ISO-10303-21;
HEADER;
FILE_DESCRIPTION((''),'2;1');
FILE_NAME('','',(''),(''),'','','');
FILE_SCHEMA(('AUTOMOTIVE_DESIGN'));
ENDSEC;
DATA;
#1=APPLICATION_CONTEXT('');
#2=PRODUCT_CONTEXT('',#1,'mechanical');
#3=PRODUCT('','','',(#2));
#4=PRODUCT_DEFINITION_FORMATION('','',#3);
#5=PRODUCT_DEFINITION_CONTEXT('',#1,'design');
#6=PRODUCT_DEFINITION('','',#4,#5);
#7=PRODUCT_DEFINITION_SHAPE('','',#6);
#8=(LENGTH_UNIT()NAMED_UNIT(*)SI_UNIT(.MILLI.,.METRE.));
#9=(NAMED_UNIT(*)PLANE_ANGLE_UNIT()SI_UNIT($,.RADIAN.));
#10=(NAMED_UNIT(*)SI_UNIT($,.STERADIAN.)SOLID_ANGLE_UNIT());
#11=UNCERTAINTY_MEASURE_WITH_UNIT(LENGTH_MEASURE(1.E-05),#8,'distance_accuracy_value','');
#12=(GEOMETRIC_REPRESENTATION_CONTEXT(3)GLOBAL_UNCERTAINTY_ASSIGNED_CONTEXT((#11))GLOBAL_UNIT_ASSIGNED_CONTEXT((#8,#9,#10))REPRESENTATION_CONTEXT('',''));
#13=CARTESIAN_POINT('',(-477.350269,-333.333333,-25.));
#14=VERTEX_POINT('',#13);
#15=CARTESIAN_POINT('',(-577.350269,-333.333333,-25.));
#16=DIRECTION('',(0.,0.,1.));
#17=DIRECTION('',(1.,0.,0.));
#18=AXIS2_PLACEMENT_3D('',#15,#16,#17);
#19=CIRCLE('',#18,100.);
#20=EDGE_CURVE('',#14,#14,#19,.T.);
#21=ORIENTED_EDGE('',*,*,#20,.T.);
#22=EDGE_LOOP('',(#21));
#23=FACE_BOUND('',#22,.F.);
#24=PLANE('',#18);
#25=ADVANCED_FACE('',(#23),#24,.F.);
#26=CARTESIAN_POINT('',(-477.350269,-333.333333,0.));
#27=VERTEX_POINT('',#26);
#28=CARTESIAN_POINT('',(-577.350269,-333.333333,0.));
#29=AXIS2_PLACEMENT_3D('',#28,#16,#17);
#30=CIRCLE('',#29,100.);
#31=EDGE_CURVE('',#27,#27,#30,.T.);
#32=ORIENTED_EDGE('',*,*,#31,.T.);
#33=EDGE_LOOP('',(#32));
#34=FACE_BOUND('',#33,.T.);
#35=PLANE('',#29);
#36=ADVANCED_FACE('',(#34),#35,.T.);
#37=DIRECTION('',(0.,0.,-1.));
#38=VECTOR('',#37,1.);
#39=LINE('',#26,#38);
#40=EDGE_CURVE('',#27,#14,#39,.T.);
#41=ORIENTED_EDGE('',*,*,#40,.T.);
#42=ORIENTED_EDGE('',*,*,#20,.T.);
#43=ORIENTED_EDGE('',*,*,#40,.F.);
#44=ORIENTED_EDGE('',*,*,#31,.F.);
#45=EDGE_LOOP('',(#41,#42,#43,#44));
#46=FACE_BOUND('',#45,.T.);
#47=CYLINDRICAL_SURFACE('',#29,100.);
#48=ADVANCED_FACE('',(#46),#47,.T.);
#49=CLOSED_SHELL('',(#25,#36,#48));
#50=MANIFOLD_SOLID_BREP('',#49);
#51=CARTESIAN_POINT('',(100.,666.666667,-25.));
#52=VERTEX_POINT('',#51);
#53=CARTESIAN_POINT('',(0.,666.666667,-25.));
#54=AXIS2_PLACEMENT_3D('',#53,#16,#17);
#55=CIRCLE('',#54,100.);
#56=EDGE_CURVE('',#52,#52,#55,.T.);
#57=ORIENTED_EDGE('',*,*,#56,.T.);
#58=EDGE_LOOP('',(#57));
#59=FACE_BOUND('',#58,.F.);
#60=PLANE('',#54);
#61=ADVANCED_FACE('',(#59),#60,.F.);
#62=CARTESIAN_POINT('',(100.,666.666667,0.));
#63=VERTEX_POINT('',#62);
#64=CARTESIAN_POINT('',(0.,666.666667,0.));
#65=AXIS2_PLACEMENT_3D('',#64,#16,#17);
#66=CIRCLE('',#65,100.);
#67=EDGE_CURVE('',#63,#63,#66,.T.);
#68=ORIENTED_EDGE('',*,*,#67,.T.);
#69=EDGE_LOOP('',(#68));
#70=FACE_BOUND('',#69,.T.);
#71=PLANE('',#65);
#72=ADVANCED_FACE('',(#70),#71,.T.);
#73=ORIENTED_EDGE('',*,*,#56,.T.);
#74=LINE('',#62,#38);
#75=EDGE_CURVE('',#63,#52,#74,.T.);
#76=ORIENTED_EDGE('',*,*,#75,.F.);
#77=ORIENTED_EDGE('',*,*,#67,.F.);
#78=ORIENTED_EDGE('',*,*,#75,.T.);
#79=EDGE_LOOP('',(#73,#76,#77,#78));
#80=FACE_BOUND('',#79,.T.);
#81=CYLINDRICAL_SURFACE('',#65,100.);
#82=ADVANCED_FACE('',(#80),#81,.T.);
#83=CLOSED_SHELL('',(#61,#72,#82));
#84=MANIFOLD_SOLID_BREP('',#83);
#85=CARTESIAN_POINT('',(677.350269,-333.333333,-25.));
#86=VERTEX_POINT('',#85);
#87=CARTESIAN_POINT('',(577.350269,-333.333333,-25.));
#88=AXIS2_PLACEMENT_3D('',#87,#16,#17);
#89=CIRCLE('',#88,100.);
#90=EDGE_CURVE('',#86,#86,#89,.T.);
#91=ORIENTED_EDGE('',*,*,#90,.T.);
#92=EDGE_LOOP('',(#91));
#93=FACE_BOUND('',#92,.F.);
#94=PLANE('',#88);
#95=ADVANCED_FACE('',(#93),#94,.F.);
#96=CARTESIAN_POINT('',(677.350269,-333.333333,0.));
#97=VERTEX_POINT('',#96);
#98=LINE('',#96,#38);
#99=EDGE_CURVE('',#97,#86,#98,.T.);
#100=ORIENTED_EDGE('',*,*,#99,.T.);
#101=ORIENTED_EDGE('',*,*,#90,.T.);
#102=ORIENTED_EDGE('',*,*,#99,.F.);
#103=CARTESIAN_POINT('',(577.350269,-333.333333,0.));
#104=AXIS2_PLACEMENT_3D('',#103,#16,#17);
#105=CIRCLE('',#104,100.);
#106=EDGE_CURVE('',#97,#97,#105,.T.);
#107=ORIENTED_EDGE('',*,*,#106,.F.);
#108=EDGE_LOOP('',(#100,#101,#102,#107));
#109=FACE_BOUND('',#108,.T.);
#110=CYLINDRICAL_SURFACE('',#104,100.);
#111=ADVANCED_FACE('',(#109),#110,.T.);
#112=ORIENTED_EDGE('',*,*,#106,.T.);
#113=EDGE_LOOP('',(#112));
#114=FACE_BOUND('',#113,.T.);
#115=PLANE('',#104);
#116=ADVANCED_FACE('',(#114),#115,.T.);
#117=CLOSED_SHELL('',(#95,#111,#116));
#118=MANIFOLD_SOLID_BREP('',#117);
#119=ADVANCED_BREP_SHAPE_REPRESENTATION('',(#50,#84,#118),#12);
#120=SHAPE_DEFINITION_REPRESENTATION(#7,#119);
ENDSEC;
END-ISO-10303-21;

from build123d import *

# Parameters (mm, degrees)
F1_R     = 100
F2_DEPTH = 25


with BuildPart() as f2:
    # F1 (on Top) → F2 (new body)
    with BuildSketch(Plane.XY):
        with Locations((0, 666.666667)):
            Circle(F1_R)
        with Locations((-577.350269, -333.333333)):
            Circle(F1_R)
        with Locations((577.350269, -333.333333)):
            Circle(F1_R)
    extrude(amount=-F2_DEPTH)


solid = f2.part
